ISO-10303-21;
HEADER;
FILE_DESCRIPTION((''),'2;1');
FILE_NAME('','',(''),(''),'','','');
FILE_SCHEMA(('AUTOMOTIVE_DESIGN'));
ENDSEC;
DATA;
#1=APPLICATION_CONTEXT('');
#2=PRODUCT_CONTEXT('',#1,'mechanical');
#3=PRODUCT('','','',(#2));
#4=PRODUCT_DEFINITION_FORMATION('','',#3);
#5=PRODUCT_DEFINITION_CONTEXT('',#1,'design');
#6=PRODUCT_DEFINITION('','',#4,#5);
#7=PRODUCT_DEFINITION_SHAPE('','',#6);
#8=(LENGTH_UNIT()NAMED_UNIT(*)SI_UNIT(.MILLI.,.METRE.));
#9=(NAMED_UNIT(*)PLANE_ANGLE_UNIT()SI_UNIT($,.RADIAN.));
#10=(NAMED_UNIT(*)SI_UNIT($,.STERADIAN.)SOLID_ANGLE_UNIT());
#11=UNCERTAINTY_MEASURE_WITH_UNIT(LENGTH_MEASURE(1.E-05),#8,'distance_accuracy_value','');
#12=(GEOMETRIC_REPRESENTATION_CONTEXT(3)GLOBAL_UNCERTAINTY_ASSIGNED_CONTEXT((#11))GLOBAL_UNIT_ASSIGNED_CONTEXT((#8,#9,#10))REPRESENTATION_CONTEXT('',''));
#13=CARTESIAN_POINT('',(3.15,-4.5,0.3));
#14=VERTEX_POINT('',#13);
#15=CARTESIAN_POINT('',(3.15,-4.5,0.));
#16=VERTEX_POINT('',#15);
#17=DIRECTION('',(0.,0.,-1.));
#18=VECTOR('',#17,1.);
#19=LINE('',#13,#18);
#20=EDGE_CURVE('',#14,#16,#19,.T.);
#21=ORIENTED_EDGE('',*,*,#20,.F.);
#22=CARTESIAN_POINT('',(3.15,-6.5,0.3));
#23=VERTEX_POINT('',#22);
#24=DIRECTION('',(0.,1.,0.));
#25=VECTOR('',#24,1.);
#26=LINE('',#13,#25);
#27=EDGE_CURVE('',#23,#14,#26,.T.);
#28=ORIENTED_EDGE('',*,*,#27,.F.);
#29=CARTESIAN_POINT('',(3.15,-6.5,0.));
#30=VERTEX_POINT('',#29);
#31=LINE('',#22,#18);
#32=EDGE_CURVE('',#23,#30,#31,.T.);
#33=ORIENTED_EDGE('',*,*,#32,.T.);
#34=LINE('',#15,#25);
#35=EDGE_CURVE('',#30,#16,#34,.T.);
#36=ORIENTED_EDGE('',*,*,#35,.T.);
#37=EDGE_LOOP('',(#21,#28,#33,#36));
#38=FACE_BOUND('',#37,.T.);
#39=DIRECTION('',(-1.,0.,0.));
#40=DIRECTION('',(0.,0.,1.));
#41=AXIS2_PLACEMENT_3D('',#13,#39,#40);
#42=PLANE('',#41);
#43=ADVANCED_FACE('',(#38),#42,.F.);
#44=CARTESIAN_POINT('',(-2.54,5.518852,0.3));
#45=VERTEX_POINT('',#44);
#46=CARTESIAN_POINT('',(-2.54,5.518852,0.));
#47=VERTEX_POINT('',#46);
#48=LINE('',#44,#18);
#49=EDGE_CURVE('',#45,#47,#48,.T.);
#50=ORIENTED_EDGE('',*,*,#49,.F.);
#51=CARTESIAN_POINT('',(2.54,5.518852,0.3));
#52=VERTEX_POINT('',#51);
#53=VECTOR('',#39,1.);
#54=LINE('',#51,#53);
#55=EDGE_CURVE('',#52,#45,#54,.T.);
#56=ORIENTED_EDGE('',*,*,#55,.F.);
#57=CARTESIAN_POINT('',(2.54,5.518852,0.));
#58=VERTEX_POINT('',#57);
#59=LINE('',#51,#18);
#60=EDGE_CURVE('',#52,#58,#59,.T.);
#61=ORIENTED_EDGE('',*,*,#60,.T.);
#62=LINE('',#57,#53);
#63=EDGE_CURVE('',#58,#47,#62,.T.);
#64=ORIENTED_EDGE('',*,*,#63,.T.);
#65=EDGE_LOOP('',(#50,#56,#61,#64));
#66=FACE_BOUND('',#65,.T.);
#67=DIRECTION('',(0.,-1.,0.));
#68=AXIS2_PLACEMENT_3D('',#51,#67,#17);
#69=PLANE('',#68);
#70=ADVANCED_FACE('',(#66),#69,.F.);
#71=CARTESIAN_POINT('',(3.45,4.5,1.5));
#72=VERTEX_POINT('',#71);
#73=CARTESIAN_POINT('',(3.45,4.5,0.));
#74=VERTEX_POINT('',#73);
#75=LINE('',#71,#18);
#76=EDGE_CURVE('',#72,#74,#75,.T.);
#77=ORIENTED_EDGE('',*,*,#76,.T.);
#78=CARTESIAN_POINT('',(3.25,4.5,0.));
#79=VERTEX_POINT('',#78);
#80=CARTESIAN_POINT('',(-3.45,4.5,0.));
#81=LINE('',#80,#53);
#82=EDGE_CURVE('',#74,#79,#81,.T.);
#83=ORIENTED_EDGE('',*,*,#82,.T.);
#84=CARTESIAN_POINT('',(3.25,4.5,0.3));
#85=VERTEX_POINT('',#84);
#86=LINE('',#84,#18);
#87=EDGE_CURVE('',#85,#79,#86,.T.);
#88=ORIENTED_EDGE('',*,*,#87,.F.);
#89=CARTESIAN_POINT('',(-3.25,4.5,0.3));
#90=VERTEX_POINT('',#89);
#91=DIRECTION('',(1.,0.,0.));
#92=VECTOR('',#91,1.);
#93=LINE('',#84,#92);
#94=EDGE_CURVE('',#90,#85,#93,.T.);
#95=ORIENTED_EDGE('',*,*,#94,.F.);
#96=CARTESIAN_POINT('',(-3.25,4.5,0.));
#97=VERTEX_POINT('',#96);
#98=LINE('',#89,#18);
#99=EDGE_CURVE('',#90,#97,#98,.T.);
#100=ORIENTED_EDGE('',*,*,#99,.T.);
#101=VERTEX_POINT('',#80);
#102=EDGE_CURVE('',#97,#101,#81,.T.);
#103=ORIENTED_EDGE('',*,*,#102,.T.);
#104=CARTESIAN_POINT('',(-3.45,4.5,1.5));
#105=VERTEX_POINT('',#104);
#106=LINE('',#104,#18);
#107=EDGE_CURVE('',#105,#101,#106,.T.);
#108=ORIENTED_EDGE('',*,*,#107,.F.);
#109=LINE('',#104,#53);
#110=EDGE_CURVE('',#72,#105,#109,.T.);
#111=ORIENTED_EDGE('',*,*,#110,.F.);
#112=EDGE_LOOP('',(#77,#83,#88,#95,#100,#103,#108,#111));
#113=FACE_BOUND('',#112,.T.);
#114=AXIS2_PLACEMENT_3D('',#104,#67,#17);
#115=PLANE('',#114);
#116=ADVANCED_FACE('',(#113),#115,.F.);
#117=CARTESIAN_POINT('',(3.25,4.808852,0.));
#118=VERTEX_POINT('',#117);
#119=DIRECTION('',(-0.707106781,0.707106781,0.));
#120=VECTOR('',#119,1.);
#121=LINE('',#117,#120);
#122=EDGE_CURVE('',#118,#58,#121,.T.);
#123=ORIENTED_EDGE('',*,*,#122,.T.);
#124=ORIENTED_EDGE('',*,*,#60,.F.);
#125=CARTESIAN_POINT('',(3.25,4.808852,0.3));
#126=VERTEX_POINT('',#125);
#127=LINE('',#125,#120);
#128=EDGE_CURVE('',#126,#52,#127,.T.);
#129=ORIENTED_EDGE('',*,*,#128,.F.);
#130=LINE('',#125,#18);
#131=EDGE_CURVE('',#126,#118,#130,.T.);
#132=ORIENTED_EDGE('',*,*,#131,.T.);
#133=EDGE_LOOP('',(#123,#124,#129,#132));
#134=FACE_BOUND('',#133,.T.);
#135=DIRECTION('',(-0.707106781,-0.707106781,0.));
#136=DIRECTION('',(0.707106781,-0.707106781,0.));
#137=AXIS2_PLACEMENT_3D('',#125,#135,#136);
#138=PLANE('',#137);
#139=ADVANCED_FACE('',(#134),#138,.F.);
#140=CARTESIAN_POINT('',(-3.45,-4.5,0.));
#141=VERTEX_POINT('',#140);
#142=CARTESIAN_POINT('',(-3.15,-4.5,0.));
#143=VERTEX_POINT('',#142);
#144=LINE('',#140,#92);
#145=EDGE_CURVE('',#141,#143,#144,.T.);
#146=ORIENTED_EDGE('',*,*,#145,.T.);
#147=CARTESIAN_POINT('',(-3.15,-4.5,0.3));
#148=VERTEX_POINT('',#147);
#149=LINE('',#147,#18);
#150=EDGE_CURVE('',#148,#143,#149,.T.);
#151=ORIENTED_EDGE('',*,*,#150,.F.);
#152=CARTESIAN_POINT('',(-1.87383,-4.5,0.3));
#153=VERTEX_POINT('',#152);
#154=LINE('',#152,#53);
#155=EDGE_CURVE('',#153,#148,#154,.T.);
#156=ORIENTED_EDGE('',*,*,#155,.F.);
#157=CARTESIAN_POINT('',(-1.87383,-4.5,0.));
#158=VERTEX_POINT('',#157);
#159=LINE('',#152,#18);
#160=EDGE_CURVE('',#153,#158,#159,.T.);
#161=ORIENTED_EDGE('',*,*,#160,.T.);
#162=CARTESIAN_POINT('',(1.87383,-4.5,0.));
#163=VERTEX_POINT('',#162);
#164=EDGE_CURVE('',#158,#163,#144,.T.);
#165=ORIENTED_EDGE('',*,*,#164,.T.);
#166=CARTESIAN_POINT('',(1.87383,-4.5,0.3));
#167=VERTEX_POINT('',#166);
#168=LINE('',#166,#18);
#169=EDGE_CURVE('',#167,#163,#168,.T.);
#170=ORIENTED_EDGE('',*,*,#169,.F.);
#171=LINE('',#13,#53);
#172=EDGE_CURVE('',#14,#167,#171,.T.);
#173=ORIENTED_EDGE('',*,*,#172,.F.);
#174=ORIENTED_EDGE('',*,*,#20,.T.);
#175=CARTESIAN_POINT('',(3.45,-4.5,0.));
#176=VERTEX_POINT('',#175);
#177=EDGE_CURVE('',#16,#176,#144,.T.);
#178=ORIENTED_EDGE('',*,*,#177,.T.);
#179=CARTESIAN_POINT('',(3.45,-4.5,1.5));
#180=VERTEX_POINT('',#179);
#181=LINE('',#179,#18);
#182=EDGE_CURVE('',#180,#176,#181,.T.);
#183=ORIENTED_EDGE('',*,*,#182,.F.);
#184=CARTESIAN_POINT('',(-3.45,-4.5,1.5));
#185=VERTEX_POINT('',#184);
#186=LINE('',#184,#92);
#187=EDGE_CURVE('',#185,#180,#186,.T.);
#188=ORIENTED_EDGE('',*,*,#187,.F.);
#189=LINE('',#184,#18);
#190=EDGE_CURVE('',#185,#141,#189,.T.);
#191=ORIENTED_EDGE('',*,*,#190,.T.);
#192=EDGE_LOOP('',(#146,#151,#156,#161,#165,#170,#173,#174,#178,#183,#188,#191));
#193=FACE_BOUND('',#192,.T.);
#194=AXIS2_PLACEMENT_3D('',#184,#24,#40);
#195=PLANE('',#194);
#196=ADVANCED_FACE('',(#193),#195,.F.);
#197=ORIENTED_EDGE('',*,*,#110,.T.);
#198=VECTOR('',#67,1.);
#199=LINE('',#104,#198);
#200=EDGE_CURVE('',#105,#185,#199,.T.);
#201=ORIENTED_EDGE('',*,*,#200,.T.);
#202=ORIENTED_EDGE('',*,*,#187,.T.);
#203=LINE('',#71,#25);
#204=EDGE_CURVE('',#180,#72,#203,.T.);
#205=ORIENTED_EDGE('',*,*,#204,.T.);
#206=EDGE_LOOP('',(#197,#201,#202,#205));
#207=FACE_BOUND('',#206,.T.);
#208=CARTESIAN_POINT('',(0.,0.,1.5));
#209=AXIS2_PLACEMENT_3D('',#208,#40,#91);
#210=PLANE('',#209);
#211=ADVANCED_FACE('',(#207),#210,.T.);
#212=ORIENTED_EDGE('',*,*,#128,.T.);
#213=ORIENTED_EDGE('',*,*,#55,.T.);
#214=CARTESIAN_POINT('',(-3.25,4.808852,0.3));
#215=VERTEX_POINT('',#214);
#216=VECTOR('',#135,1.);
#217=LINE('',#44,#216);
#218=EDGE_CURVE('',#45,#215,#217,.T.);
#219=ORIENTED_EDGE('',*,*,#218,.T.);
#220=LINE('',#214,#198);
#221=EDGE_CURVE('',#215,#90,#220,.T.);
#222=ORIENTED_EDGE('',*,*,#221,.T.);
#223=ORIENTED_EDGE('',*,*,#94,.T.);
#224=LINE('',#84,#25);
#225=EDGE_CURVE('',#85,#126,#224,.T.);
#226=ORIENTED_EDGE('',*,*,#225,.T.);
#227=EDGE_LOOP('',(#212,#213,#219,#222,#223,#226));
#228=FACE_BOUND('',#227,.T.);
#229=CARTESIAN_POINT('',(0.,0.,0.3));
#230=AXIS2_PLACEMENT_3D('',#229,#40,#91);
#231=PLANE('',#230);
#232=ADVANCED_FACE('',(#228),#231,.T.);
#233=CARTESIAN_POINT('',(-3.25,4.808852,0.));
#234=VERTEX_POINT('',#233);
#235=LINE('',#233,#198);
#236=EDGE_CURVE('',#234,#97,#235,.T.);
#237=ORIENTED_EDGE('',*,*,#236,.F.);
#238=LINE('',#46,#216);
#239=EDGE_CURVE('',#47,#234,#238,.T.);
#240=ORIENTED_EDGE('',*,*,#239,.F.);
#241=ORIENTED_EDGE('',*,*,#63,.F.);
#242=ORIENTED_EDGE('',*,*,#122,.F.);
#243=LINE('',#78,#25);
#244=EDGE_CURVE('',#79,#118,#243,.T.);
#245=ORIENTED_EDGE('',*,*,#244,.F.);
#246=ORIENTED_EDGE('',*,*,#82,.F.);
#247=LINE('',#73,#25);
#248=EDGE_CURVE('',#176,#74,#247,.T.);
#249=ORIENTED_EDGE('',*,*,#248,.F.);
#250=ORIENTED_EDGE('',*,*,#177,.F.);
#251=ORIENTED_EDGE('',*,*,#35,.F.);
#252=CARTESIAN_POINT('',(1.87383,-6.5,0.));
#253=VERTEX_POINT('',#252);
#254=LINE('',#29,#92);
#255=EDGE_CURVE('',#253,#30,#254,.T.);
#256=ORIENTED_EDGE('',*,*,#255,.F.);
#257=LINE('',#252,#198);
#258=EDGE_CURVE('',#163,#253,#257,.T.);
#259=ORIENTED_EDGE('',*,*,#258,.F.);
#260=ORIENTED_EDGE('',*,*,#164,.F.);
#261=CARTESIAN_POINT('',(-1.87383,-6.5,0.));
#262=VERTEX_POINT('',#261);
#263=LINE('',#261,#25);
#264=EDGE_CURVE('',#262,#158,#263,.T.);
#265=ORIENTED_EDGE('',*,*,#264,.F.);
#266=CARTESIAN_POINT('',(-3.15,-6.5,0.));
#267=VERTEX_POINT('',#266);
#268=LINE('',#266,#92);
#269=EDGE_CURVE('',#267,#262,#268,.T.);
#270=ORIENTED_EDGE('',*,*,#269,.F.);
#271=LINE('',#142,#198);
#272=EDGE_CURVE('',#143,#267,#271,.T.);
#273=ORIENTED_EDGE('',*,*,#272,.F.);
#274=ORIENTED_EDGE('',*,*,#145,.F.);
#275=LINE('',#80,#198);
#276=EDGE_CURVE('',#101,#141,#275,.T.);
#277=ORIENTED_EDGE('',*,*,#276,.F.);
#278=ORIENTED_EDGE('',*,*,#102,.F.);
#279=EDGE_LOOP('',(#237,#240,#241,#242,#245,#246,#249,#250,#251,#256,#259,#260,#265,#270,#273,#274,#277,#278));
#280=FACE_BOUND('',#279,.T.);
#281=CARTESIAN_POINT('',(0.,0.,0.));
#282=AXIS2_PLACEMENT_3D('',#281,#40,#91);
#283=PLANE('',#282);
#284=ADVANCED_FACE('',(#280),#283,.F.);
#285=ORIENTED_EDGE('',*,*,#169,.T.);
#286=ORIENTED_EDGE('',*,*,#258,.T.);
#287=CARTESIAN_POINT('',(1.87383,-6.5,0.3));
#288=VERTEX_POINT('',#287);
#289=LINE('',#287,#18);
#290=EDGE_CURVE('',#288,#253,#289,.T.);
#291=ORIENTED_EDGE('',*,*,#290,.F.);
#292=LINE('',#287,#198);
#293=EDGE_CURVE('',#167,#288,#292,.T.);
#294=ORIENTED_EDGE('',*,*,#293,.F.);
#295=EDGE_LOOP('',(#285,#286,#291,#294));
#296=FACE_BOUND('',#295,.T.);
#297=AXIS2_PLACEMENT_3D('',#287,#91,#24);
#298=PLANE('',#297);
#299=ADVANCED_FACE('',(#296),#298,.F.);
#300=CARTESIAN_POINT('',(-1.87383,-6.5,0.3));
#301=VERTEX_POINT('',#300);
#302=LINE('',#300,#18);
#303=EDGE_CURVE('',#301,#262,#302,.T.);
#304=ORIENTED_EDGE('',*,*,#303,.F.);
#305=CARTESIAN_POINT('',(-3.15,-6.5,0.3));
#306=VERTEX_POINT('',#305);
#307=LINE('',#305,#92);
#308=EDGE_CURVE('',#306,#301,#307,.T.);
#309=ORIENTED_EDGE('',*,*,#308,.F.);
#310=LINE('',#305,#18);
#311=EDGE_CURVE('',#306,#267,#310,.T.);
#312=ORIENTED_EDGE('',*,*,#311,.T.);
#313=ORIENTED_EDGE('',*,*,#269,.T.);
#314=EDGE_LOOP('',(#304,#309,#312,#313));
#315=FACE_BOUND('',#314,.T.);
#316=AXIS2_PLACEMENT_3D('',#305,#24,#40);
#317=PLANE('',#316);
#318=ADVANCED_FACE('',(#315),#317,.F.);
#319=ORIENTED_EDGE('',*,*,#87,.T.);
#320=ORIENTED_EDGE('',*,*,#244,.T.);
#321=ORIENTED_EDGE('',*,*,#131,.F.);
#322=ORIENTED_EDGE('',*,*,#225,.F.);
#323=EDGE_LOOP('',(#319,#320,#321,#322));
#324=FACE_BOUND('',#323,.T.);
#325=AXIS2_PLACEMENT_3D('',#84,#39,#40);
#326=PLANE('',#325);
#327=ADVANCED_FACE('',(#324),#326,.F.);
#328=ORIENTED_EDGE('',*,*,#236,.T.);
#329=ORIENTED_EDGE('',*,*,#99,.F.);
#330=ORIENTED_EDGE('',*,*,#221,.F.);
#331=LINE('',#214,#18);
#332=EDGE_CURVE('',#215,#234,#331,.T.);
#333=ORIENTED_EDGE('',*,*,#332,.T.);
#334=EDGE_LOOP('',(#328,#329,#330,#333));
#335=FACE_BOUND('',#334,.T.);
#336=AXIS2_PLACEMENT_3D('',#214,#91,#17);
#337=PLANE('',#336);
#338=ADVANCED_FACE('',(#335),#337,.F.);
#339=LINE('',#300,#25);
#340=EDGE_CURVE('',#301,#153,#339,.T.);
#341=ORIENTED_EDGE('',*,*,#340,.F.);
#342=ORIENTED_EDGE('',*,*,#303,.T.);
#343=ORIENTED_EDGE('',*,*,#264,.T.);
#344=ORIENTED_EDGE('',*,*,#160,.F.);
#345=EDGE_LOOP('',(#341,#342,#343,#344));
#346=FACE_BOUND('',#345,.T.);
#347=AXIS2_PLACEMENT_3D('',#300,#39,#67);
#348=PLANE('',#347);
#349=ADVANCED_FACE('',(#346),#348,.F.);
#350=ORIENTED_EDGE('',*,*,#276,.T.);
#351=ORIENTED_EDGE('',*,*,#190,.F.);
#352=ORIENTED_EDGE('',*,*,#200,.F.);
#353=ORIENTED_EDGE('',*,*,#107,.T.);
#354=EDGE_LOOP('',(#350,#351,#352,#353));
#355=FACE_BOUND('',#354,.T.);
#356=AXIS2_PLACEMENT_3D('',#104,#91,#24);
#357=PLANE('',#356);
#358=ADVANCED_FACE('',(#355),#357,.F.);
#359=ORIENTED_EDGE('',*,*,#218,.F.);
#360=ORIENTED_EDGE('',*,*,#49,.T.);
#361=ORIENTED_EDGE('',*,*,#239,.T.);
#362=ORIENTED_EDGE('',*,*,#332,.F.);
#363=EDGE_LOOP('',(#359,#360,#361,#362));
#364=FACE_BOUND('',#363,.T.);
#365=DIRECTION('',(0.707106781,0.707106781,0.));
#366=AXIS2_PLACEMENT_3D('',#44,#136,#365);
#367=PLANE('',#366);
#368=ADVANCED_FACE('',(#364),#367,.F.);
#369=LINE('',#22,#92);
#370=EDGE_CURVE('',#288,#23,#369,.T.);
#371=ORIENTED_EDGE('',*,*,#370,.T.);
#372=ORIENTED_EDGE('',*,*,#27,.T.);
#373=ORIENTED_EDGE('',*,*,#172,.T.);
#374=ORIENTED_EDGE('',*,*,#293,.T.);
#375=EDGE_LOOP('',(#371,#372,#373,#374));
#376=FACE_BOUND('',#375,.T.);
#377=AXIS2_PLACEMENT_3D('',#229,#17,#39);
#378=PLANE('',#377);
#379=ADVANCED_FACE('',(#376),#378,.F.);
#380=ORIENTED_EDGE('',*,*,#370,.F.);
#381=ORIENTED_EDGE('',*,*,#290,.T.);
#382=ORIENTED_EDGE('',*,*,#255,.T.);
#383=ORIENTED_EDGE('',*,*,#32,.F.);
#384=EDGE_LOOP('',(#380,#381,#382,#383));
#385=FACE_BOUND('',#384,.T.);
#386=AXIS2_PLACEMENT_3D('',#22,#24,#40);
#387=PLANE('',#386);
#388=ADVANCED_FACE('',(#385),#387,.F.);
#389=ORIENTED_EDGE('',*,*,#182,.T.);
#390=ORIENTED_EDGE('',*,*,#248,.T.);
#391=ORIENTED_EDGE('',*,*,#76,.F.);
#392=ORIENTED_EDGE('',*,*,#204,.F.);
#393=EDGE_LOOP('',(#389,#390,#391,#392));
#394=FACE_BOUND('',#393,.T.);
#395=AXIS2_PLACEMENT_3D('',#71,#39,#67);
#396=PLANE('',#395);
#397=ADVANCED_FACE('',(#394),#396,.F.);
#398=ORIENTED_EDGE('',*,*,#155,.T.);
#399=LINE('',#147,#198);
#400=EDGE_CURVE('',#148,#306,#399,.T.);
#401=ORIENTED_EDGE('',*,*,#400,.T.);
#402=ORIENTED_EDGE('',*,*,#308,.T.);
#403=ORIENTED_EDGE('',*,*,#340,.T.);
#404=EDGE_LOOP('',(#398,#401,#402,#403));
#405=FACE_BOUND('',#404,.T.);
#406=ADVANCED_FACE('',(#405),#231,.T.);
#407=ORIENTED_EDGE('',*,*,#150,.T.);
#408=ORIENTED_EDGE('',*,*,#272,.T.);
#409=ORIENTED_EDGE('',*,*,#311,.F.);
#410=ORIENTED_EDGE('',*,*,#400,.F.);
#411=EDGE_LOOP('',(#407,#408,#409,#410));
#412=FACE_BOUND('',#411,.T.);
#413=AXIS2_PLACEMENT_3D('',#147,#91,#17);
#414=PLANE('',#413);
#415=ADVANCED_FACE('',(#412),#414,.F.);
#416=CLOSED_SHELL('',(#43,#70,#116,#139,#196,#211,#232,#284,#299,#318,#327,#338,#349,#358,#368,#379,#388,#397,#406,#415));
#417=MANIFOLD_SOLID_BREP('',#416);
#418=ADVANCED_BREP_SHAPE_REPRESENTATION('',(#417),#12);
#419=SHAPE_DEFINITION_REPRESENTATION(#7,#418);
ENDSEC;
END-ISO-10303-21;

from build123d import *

# Parameters (mm, degrees)
SKETCH1_W           = 6.9
SKETCH1_H           = 9
BOSS_EXTRUDE1_DEPTH = 1.5
SKETCH2_W           = 1.27616984
SKETCH2_H           = 2
BOSS_EXTRUDE2_DEPTH = 0.3


with BuildPart() as part:
    # Sketch1 → Boss-Extrude1 (new body)
    with BuildSketch(Plane.XY):
        Rectangle(SKETCH1_W, SKETCH1_H)
    extrude(amount=BOSS_EXTRUDE1_DEPTH)

    # Sketch2 → Boss-Extrude2 (add)
    with BuildSketch(Plane.XY):
        Polygon((3.25, 4.5), (3.25, 4.808852059), (2.54, 5.518852059), (-2.54, 5.518852059), (-3.25, 4.808852059), (-3.25, 4.5), align=None)
        with Locations((2.51191508, -5.5)):
            Rectangle(SKETCH2_W, SKETCH2_H)
        with Locations((-2.51191508, -5.5)):
            Rectangle(SKETCH2_W, SKETCH2_H)
    extrude(amount=BOSS_EXTRUDE2_DEPTH)


solid = part.part
